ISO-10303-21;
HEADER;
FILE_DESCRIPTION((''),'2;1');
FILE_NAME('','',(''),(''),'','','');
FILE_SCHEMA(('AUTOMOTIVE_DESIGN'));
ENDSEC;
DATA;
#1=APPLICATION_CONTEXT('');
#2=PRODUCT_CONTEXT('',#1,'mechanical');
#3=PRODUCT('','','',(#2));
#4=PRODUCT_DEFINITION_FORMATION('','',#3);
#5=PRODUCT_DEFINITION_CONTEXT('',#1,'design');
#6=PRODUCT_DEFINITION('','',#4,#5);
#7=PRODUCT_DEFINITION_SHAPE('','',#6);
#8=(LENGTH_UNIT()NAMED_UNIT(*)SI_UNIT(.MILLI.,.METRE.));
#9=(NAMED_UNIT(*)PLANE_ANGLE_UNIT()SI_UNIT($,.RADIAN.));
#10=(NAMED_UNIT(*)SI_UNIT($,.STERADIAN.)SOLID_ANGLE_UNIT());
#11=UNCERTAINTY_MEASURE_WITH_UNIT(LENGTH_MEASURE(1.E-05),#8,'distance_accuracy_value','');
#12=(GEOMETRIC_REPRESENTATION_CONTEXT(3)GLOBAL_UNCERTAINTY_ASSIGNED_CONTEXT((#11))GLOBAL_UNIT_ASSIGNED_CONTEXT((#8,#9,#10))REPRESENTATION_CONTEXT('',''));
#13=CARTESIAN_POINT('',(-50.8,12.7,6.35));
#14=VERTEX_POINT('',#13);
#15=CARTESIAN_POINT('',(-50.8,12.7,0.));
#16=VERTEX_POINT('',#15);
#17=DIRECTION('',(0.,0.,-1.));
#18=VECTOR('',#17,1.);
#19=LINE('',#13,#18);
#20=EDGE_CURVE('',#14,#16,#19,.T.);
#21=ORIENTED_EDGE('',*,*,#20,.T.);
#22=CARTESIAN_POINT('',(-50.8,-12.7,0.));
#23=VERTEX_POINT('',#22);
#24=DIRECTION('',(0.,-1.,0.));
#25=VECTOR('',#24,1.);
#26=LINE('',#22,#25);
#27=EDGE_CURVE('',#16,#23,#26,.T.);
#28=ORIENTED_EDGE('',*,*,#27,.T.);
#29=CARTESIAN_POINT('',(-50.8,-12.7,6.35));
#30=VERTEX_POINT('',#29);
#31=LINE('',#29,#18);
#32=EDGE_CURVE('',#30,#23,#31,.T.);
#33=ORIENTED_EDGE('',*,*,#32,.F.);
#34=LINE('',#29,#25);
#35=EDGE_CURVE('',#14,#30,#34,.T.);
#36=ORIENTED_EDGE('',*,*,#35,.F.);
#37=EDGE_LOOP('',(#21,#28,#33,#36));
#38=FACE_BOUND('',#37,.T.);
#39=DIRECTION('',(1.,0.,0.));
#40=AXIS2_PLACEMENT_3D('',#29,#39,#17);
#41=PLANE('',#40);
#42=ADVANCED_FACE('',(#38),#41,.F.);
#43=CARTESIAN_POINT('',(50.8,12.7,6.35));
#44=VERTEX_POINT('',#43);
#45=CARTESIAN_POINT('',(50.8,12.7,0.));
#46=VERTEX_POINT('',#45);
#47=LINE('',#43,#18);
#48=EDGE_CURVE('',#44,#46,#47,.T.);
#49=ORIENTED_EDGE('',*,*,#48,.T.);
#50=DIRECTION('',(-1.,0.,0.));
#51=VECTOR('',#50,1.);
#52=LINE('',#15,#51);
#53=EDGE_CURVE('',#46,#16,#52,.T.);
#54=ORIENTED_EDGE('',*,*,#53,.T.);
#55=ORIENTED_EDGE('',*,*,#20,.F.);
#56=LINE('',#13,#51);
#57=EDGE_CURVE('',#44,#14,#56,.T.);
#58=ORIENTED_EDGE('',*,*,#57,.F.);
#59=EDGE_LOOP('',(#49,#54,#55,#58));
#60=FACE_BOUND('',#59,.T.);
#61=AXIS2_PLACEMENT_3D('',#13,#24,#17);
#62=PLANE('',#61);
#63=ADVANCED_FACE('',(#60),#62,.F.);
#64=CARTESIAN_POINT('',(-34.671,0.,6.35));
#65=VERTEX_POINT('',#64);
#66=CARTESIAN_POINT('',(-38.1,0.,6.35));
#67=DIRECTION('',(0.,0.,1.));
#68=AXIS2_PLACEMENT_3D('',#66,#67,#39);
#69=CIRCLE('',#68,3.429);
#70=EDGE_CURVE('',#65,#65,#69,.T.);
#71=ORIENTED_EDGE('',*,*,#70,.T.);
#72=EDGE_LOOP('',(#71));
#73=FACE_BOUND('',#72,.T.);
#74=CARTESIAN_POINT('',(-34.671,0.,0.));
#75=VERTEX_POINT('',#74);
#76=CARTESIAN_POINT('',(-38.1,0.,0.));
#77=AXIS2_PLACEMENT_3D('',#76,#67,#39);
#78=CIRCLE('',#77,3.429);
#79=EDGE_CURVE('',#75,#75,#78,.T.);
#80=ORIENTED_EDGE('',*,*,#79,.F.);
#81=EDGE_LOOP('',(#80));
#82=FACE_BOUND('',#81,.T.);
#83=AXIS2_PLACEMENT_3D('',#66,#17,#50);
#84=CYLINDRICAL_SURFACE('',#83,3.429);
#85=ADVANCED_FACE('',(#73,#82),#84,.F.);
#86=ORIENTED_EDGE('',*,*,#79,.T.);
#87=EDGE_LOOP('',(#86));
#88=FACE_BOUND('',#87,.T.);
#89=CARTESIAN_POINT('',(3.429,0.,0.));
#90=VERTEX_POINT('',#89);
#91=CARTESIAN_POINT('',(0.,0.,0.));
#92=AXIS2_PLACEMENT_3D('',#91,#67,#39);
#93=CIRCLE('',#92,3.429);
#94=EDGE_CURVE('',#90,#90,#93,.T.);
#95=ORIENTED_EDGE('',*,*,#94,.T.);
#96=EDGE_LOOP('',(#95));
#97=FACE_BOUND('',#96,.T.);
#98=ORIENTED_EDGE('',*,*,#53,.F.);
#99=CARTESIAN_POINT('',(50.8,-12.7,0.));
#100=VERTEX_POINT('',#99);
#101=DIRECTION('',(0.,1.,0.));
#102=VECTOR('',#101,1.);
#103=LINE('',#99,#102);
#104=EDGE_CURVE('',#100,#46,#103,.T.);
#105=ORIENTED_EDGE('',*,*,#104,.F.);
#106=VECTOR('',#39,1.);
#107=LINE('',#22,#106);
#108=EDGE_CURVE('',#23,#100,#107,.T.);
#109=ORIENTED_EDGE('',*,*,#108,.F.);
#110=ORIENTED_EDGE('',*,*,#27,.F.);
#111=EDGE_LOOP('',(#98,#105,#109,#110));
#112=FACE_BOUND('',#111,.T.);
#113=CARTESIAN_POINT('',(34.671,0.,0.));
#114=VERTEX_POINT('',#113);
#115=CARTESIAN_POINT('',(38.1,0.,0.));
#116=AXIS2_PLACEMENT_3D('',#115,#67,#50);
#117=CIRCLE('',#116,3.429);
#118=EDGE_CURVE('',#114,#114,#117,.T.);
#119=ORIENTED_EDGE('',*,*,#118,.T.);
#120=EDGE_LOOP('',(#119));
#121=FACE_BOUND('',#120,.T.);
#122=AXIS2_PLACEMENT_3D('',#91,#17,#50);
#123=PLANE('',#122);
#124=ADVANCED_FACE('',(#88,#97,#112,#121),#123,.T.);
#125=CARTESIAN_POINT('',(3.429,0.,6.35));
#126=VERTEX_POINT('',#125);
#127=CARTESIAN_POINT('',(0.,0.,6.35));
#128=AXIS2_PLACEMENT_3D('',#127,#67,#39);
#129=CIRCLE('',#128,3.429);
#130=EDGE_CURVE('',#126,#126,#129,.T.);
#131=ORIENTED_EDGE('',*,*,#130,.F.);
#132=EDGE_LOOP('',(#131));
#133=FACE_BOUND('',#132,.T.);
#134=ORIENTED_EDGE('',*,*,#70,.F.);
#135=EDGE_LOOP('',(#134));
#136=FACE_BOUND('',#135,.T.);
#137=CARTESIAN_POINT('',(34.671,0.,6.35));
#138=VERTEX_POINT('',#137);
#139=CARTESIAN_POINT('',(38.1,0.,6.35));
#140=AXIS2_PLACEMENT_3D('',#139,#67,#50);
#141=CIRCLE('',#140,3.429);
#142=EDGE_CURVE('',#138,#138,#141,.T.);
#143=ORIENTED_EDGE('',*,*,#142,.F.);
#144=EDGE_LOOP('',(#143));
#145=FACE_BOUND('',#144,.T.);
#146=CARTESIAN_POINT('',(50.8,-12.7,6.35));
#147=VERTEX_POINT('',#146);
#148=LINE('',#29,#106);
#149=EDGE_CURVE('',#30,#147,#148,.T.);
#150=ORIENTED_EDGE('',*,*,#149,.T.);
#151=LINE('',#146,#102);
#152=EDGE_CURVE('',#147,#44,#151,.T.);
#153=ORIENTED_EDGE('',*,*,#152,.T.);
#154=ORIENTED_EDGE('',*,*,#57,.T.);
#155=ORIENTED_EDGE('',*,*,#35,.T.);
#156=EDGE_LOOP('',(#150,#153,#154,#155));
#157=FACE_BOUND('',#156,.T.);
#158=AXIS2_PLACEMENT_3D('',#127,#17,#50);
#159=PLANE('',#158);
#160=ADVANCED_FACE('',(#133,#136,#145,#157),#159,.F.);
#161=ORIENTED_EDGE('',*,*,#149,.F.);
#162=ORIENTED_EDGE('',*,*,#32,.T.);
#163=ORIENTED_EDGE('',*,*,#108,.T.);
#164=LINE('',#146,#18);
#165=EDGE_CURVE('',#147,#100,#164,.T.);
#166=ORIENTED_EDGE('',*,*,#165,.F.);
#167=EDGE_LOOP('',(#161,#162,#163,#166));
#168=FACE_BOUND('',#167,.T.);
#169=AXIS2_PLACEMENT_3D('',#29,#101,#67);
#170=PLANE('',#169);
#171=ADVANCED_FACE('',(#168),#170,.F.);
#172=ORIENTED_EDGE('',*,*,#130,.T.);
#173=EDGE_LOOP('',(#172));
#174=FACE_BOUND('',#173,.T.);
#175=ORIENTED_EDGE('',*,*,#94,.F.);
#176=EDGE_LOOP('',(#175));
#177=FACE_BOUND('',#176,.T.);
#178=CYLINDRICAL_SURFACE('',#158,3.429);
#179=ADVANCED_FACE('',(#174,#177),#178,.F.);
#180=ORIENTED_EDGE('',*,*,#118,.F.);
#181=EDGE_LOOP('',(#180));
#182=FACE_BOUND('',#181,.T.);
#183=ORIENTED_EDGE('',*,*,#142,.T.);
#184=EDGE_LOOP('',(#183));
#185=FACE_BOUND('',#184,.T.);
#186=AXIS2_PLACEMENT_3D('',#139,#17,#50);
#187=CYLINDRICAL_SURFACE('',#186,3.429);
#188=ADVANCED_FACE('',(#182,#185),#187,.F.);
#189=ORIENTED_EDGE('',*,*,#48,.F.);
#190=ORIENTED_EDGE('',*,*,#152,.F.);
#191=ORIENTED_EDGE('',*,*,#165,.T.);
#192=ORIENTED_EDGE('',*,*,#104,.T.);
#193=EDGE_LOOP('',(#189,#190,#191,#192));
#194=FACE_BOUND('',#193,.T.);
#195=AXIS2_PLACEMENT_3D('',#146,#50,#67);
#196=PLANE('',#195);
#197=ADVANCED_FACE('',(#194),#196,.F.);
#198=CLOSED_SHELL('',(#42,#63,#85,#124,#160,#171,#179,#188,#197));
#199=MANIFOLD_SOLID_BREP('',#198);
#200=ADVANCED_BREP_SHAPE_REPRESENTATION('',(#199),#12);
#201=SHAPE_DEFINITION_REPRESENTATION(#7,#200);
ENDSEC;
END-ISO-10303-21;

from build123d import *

# Parameters (mm, degrees)
SKETCH1_W           = 101.6
SKETCH1_H           = 25.4
SKETCH1_R           = 3.429
BOSS_EXTRUDE1_DEPTH = 6.35


with BuildPart() as part:
    # Sketch1 → Boss-Extrude1 (new body)
    with BuildSketch(Plane.XY):
        Rectangle(SKETCH1_W, SKETCH1_H)
        Circle(SKETCH1_R, mode=Mode.SUBTRACT)
        with Locations((-38.1, 0)):
            Circle(SKETCH1_R, mode=Mode.SUBTRACT)
        with Locations(Location((38.1, 0, 0), (0, 0, 180))):
            Circle(SKETCH1_R, mode=Mode.SUBTRACT)
    extrude(amount=BOSS_EXTRUDE1_DEPTH)


solid = part.part
